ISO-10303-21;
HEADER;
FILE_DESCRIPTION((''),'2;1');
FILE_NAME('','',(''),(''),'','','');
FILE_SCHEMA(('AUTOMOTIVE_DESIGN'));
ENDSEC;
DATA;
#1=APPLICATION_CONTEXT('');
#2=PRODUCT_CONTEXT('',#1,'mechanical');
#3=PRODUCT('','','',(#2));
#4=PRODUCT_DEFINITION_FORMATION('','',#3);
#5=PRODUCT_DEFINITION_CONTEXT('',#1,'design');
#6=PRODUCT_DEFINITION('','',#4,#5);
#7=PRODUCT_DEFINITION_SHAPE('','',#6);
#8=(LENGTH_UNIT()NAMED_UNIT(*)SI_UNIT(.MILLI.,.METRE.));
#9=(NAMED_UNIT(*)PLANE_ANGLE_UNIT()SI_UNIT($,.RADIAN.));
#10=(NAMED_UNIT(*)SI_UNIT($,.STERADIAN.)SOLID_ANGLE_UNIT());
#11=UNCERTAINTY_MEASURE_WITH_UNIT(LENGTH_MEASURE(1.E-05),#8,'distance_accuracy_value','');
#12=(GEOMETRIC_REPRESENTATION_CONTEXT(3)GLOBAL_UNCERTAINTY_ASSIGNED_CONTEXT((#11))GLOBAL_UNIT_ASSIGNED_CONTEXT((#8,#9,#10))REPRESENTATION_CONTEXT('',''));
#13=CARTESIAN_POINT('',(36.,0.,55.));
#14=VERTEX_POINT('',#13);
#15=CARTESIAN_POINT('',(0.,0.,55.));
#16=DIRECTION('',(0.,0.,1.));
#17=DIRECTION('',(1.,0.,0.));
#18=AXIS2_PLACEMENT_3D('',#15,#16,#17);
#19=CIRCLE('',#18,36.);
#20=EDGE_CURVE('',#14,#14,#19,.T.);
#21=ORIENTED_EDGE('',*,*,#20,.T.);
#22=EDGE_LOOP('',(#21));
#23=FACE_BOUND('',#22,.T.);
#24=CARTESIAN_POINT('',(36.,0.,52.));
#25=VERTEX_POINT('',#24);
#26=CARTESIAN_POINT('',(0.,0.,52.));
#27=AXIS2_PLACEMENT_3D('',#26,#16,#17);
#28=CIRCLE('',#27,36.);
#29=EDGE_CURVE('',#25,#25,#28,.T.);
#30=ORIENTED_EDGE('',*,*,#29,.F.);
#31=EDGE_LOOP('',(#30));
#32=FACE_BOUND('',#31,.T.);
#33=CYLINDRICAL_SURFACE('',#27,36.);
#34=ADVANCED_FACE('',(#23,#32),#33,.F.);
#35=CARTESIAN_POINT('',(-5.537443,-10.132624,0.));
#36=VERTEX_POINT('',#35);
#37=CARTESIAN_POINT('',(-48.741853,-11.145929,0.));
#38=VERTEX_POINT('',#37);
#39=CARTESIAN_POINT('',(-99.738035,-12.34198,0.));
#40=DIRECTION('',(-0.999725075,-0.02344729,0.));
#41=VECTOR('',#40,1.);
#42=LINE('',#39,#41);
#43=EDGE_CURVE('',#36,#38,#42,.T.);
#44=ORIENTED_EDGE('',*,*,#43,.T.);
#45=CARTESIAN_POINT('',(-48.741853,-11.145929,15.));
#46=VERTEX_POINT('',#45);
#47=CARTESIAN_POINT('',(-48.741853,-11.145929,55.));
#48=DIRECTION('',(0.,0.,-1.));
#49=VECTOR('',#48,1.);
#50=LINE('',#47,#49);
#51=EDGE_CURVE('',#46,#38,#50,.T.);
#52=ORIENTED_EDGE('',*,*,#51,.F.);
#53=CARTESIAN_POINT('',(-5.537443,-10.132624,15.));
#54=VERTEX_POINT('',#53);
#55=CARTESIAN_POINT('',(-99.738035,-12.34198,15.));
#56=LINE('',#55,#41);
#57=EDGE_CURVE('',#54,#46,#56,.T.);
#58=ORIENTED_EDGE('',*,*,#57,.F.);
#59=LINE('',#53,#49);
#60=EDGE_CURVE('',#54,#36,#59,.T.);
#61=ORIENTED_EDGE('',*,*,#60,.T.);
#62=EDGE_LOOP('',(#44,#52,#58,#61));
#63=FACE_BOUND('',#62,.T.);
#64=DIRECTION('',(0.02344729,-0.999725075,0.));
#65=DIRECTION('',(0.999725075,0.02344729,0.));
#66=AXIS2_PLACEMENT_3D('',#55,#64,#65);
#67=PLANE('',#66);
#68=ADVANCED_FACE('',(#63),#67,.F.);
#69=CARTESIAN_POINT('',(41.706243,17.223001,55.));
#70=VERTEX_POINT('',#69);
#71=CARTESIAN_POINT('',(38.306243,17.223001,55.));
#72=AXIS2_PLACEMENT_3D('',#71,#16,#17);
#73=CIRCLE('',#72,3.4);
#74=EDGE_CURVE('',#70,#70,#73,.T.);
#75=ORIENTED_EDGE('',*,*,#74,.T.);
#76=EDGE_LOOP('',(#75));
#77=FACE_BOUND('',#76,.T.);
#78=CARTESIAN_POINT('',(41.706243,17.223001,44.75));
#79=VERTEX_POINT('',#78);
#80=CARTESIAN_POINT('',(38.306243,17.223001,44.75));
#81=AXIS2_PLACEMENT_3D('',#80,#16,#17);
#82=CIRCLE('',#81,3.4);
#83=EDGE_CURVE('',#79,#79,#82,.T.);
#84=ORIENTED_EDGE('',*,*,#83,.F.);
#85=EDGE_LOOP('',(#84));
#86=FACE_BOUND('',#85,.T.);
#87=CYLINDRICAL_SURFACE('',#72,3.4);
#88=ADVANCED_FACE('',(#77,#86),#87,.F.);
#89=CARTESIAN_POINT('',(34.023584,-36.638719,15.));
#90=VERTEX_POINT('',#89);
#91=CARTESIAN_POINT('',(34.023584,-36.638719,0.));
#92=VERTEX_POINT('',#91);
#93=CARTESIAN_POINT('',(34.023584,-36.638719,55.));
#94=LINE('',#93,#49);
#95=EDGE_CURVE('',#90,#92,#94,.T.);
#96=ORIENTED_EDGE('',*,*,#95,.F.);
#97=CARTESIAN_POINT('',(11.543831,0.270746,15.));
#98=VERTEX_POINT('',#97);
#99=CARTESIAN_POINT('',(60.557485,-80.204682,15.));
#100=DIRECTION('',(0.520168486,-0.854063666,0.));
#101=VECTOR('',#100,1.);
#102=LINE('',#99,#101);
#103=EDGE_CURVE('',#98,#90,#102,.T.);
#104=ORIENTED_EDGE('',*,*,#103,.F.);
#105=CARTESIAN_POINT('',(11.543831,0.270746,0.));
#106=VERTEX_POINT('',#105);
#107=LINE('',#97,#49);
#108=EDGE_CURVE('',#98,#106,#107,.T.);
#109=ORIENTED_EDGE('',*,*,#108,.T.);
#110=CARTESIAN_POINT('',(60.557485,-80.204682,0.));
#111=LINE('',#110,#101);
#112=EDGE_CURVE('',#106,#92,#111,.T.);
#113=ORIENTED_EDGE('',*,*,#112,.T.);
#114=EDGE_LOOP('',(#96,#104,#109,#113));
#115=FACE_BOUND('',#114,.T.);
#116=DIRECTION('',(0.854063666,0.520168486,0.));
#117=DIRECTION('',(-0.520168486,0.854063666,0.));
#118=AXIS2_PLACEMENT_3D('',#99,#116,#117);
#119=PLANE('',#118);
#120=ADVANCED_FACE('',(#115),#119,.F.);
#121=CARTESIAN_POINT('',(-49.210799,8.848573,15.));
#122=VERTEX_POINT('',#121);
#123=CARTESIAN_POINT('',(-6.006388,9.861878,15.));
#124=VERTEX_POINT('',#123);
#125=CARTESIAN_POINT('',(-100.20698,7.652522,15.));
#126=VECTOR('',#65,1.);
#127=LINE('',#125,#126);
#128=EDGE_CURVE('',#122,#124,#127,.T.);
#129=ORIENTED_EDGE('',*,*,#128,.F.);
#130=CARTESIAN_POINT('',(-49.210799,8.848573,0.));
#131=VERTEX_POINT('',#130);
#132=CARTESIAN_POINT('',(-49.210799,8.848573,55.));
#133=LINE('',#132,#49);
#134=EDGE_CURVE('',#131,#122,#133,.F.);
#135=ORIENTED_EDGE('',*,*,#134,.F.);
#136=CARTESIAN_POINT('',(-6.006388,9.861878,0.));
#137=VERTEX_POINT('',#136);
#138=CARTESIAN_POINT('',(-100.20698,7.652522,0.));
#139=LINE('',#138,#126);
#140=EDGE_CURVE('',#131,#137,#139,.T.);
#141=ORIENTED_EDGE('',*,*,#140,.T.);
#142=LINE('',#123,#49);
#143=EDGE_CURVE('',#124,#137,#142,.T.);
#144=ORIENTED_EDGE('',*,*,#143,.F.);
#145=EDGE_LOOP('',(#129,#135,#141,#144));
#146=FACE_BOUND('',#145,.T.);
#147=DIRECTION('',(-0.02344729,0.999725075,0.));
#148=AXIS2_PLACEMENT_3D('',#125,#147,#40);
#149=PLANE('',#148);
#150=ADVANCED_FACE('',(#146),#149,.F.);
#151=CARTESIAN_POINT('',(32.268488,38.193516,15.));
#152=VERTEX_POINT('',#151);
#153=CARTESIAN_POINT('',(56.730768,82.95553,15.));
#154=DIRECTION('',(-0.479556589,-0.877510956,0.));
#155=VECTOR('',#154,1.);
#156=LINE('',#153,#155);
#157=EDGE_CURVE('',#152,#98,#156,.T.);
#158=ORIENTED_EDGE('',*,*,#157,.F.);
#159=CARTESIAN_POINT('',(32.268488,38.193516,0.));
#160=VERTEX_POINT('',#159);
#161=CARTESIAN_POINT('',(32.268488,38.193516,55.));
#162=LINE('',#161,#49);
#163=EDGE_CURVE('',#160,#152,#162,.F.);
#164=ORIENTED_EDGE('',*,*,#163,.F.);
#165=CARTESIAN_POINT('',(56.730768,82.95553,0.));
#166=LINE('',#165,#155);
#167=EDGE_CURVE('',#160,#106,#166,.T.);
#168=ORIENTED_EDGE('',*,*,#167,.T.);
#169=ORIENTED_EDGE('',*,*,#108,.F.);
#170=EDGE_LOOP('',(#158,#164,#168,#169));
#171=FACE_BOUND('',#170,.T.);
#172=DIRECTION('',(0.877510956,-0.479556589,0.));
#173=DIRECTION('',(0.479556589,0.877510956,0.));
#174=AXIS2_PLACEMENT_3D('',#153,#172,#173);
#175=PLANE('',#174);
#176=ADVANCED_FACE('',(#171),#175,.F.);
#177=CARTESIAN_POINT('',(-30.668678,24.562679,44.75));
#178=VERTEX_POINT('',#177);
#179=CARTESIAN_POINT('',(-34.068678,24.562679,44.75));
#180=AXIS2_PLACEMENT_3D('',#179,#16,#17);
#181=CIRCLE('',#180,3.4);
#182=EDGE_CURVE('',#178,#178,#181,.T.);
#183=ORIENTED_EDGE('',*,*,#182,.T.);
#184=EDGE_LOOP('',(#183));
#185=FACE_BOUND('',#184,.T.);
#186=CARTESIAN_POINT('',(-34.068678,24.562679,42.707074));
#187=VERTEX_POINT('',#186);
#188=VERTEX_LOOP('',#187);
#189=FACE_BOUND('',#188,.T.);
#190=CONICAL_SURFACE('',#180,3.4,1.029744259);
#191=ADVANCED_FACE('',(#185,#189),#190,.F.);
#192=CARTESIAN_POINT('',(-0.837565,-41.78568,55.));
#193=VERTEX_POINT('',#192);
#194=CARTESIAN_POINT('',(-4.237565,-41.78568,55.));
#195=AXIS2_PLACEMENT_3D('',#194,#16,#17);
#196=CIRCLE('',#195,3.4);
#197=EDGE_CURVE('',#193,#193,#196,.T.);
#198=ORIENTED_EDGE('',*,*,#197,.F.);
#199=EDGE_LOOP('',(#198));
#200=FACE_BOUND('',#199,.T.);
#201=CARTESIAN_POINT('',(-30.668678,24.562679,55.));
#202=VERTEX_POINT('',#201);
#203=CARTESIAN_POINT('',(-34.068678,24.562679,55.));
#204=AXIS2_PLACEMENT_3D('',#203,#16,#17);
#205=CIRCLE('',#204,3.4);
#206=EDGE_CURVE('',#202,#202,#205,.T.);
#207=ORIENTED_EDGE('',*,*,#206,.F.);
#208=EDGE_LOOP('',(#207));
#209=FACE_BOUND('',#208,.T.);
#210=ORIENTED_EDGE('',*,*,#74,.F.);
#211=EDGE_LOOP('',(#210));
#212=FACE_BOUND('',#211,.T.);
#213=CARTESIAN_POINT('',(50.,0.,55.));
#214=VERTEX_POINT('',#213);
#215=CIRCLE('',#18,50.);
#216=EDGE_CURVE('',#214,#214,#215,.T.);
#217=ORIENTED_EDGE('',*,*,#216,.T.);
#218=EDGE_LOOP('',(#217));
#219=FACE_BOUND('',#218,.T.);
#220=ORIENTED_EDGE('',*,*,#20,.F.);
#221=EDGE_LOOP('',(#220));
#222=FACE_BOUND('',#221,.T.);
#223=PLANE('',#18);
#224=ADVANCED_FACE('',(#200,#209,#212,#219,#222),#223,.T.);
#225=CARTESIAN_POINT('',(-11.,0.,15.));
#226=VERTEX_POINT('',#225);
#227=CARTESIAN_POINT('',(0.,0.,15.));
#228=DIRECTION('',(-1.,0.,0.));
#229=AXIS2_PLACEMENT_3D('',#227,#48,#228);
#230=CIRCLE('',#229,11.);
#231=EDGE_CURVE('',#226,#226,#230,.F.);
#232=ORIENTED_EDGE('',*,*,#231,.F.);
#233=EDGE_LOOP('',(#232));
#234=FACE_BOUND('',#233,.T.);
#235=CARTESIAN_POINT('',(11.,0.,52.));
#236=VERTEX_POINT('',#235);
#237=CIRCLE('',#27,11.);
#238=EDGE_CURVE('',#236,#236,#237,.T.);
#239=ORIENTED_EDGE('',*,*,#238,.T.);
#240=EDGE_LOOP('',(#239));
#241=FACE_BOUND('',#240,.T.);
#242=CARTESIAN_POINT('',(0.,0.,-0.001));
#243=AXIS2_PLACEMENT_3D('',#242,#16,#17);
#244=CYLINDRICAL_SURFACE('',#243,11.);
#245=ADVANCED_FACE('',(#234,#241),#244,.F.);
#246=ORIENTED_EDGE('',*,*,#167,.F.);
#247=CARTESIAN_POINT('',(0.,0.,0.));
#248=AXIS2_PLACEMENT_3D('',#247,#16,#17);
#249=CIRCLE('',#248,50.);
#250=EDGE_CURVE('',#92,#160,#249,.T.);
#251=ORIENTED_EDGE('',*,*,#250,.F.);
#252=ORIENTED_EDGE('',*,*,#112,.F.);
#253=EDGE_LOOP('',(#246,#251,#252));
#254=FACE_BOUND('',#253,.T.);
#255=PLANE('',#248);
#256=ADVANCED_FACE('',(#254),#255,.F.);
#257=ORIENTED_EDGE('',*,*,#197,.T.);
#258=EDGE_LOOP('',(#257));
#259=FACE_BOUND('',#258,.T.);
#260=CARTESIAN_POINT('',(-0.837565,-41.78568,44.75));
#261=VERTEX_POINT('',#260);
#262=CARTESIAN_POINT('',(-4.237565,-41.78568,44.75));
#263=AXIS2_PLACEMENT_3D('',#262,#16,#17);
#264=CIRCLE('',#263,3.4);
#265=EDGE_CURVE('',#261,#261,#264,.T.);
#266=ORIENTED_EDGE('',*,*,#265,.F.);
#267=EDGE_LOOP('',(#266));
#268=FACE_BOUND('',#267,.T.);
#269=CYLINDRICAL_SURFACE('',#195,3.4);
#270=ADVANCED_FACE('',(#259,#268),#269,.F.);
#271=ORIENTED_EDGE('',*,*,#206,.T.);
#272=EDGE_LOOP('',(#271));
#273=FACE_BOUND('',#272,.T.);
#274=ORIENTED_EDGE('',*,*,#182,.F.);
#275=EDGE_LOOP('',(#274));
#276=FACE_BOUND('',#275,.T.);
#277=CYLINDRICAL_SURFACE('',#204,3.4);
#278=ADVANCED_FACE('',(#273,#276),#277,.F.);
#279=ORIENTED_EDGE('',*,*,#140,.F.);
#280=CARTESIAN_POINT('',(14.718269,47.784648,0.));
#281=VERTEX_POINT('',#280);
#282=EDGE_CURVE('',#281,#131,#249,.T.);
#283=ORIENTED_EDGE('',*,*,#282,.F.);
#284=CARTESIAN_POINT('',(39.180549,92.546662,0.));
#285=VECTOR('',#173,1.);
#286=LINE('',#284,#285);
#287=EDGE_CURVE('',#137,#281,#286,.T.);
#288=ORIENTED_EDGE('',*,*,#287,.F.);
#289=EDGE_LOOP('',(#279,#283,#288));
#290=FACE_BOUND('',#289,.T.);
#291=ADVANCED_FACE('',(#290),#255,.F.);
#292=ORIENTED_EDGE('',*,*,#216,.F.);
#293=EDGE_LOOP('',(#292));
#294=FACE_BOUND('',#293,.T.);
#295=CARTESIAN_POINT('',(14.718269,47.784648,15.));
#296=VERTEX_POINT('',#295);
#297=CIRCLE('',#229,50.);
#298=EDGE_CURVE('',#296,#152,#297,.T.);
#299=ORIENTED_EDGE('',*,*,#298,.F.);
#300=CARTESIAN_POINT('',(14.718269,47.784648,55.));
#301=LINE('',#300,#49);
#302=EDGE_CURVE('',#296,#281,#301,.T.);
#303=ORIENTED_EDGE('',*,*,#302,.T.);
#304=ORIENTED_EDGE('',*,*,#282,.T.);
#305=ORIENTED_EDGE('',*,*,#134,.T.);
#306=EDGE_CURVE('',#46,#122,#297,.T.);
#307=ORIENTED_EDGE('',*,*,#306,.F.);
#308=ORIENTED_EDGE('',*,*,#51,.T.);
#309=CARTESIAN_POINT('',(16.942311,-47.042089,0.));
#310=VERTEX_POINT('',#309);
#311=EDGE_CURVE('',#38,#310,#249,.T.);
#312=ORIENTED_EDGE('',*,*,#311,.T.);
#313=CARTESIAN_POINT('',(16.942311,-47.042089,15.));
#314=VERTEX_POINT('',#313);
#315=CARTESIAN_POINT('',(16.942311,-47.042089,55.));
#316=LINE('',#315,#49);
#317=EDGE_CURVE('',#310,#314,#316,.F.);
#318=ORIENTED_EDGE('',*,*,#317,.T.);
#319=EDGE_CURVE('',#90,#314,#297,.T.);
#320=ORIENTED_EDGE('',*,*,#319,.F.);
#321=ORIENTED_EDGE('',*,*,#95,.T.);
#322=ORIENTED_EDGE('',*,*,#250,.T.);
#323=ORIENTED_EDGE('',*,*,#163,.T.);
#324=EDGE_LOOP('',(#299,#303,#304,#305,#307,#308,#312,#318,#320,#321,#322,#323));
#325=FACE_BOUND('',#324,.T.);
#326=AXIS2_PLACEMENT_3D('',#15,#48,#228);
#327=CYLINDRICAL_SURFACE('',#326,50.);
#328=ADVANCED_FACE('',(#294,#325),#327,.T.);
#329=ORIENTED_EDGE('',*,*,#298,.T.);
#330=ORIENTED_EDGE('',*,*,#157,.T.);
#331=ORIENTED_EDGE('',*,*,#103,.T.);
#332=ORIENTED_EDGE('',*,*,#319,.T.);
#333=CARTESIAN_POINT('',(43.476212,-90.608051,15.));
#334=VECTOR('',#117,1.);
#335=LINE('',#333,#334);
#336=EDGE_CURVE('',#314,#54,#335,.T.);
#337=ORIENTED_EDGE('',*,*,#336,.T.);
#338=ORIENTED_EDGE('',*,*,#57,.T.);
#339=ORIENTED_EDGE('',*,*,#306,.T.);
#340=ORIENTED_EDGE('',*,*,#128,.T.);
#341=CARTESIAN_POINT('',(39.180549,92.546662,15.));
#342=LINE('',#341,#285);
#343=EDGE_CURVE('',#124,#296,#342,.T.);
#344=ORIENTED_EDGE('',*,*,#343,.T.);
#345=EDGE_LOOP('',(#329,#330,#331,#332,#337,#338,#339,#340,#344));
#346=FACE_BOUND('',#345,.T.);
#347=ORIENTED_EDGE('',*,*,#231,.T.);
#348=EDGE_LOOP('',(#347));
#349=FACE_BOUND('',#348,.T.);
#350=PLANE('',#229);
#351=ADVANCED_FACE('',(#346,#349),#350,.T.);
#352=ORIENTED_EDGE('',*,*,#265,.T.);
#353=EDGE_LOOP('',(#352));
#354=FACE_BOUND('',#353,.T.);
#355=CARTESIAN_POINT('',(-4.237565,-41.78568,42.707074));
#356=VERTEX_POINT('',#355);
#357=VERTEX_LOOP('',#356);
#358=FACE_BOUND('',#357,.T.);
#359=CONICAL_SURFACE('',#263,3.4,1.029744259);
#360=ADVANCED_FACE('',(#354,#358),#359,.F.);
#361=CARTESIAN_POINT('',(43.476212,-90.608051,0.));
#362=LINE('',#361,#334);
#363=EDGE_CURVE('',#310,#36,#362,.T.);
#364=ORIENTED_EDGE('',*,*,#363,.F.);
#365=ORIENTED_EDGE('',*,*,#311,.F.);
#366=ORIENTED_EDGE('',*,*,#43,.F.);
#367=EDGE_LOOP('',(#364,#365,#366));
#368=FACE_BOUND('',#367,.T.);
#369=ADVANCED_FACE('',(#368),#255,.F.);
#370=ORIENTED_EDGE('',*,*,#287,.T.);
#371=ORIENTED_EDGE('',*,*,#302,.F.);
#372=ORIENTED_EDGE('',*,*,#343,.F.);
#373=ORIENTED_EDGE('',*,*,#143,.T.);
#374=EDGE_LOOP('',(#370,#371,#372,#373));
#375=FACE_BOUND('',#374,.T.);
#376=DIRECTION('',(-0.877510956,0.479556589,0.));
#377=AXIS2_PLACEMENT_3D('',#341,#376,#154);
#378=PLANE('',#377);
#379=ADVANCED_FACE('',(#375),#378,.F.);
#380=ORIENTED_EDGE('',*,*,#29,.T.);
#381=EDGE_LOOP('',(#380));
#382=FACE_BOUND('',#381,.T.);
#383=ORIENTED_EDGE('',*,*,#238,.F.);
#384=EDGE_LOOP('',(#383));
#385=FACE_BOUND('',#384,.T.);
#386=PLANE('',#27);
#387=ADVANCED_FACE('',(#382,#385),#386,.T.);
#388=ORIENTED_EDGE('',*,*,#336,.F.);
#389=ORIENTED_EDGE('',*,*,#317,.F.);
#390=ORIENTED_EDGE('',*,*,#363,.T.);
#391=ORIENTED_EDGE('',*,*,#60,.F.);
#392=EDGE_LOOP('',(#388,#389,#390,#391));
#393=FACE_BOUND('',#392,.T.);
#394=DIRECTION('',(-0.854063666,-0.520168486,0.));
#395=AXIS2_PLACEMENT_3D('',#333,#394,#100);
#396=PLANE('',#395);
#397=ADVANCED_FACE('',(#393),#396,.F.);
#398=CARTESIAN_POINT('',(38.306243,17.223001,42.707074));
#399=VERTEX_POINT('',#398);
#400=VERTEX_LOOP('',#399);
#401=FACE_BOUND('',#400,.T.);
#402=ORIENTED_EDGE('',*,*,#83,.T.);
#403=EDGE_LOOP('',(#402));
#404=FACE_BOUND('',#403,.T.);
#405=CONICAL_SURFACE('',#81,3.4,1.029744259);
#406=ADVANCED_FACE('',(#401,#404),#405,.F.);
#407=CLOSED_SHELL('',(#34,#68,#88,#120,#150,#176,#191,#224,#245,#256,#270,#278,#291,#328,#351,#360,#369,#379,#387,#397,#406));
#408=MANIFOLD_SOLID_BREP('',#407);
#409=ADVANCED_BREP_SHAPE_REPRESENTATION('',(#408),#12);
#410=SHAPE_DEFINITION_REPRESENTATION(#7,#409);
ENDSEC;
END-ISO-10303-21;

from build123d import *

# Parameters (mm, degrees)
SKETCH1_R                  = 50
BOSS_EXTRUDE1_DEPTH        = 55
SKETCH2_R                  = 36
CUT_EXTRUDE1_DEPTH         = 3
CUT_EXTRUDE2_REACH         = 89.772
SKETCH3_R                  = 11
M8X1_25_TAPPED_HOLE1_D     = 6.8
M8X1_25_TAPPED_HOLE1_DEPTH = 10.25
M8X1_25_TAPPED_HOLE1_TIP   = 2.042926105
CUT_EXTRUDE3_DEPTH         = 15


with BuildPart() as part:
    # Sketch1 → Boss-Extrude1 (new body)
    with BuildSketch(Plane.XY):
        Circle(SKETCH1_R)
    extrude(amount=BOSS_EXTRUDE1_DEPTH)

    # Sketch2 → Cut-Extrude1 (cut)
    with BuildSketch(Plane.XY.offset(55)):
        Circle(SKETCH2_R)
    extrude(amount=-CUT_EXTRUDE1_DEPTH, mode=Mode.SUBTRACT)

    # Sketch3 → Cut-Extrude2 (cut, up to next)
    with BuildSketch(Plane.XY.offset(52), mode=Mode.PRIVATE) as cut_extrude2_sk1:
        Circle(SKETCH3_R)
    cut_extrude2_tool1 = extrude(cut_extrude2_sk1.sketch, amount=-CUT_EXTRUDE2_REACH, mode=Mode.PRIVATE) & part.part
    add(cut_extrude2_tool1.solids().sort_by_distance((0, 0, 52))[0], mode=Mode.SUBTRACT)

    # M8x1.25 Tapped Hole1
    with Locations(Plane.XY.offset(55)):
        with Locations((-34.068677595, 24.562679147), (38.306242924, 17.223000697), (-4.237565329, -41.785679845), (0, 0)):
            Hole(M8X1_25_TAPPED_HOLE1_D / 2, depth=M8X1_25_TAPPED_HOLE1_DEPTH)
            with Locations((0, 0, -(M8X1_25_TAPPED_HOLE1_DEPTH + M8X1_25_TAPPED_HOLE1_TIP / 2))):  # 118° drill point
                Cone(0, M8X1_25_TAPPED_HOLE1_D / 2, M8X1_25_TAPPED_HOLE1_TIP, mode=Mode.SUBTRACT)

    # Sketch7 → Cut-Extrude3 (cut)
    with BuildSketch(Plane(origin=(0, 0, 0), x_dir=(-1, 0, 0), z_dir=(0, 0, -1))):
        Polygon((-56.730768418, 82.955529741), (-11.543830818, 0.270745983), (-60.557485259, -80.204681778), (-43.476211931, -90.608051497), (5.53744251, -10.132623736), (99.738034552, -12.341979735), (100.20698035, 7.652521756), (6.006388308, 9.861877754), (-39.180549293, 92.546661513), align=None)
    extrude(amount=-CUT_EXTRUDE3_DEPTH, mode=Mode.SUBTRACT)


solid = part.part
